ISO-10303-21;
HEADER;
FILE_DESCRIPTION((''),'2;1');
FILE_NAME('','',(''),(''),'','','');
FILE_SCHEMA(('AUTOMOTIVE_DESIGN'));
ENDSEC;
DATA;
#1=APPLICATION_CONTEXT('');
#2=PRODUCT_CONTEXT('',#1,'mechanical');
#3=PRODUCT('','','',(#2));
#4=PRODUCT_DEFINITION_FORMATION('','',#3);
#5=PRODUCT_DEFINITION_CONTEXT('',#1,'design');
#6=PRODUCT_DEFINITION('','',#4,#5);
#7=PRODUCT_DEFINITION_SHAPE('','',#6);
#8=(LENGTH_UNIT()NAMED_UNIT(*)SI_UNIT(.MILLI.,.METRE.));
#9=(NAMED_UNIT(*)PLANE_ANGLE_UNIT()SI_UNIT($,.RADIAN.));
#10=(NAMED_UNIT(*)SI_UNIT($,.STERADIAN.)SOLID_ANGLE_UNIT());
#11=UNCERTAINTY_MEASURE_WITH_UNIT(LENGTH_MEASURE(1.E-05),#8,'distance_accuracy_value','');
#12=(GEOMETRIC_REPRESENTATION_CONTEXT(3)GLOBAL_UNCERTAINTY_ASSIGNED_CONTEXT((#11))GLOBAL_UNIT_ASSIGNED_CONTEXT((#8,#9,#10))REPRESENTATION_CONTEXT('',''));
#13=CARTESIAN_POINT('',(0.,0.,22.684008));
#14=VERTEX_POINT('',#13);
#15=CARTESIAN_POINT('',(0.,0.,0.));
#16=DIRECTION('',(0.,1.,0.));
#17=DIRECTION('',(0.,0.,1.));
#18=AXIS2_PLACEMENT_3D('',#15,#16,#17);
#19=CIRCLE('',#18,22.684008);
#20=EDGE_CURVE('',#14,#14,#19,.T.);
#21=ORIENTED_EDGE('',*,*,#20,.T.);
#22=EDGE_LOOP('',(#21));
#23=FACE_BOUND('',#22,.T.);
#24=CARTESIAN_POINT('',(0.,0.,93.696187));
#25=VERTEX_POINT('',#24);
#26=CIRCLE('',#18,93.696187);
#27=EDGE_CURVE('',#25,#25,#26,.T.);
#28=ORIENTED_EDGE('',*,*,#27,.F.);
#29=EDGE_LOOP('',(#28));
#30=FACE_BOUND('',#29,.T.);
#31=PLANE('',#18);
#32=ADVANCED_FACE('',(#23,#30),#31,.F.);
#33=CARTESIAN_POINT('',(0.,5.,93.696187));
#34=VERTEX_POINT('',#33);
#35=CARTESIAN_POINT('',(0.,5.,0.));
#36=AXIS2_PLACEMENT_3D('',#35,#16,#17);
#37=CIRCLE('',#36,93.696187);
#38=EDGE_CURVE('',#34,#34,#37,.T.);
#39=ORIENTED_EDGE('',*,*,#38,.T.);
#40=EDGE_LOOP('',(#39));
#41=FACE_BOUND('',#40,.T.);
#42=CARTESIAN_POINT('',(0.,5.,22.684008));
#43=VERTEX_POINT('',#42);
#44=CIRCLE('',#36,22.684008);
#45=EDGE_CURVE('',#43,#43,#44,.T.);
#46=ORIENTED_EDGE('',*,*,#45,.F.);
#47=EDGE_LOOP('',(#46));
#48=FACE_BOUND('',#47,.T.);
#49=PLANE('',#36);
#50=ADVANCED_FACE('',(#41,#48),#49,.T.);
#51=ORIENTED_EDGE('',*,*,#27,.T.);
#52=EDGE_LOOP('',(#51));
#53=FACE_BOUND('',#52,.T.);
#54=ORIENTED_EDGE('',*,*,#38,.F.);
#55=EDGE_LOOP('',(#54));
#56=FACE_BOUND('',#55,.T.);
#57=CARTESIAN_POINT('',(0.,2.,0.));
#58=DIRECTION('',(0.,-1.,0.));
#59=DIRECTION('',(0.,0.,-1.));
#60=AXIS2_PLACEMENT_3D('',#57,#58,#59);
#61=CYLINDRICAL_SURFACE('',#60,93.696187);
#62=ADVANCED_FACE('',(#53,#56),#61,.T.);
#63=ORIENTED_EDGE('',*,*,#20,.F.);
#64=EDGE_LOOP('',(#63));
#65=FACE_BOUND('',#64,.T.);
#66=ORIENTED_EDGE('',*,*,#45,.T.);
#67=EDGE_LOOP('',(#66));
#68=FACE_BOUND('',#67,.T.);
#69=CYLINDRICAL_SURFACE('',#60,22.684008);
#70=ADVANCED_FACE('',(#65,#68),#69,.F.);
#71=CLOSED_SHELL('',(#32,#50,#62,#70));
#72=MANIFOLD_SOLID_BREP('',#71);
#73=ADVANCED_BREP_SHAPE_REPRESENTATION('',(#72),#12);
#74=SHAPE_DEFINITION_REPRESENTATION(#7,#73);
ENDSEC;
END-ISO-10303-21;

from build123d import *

# Parameters (mm, degrees)
SKETCH1_R           = 93.696187323
SKETCH1_R_2         = 22.684007712
BOSS_EXTRUDE1_DEPTH = 2
SKETCH1_3_R         = 93.696187323
SKETCH1_3_R_2       = 22.684007712
BOSS_EXTRUDE2_DEPTH = 5


with BuildPart() as part:
    # Sketch1 → Boss-Extrude1 (new body)
    with BuildSketch(Plane(origin=(0, 0, 0), x_dir=(1, 0, 0), z_dir=(0, 1, 0))):
        Circle(SKETCH1_R)
        Circle(SKETCH1_R_2, mode=Mode.SUBTRACT)
    extrude(amount=BOSS_EXTRUDE1_DEPTH)

    # Sketch1<3> → Boss-Extrude2 (add)
    with BuildSketch(Plane(origin=(0, 0, 0), x_dir=(1, 0, 0), z_dir=(0, 1, 0))):
        Circle(SKETCH1_3_R)
        Circle(SKETCH1_3_R_2, mode=Mode.SUBTRACT)
    extrude(amount=BOSS_EXTRUDE2_DEPTH)


solid = part.part
